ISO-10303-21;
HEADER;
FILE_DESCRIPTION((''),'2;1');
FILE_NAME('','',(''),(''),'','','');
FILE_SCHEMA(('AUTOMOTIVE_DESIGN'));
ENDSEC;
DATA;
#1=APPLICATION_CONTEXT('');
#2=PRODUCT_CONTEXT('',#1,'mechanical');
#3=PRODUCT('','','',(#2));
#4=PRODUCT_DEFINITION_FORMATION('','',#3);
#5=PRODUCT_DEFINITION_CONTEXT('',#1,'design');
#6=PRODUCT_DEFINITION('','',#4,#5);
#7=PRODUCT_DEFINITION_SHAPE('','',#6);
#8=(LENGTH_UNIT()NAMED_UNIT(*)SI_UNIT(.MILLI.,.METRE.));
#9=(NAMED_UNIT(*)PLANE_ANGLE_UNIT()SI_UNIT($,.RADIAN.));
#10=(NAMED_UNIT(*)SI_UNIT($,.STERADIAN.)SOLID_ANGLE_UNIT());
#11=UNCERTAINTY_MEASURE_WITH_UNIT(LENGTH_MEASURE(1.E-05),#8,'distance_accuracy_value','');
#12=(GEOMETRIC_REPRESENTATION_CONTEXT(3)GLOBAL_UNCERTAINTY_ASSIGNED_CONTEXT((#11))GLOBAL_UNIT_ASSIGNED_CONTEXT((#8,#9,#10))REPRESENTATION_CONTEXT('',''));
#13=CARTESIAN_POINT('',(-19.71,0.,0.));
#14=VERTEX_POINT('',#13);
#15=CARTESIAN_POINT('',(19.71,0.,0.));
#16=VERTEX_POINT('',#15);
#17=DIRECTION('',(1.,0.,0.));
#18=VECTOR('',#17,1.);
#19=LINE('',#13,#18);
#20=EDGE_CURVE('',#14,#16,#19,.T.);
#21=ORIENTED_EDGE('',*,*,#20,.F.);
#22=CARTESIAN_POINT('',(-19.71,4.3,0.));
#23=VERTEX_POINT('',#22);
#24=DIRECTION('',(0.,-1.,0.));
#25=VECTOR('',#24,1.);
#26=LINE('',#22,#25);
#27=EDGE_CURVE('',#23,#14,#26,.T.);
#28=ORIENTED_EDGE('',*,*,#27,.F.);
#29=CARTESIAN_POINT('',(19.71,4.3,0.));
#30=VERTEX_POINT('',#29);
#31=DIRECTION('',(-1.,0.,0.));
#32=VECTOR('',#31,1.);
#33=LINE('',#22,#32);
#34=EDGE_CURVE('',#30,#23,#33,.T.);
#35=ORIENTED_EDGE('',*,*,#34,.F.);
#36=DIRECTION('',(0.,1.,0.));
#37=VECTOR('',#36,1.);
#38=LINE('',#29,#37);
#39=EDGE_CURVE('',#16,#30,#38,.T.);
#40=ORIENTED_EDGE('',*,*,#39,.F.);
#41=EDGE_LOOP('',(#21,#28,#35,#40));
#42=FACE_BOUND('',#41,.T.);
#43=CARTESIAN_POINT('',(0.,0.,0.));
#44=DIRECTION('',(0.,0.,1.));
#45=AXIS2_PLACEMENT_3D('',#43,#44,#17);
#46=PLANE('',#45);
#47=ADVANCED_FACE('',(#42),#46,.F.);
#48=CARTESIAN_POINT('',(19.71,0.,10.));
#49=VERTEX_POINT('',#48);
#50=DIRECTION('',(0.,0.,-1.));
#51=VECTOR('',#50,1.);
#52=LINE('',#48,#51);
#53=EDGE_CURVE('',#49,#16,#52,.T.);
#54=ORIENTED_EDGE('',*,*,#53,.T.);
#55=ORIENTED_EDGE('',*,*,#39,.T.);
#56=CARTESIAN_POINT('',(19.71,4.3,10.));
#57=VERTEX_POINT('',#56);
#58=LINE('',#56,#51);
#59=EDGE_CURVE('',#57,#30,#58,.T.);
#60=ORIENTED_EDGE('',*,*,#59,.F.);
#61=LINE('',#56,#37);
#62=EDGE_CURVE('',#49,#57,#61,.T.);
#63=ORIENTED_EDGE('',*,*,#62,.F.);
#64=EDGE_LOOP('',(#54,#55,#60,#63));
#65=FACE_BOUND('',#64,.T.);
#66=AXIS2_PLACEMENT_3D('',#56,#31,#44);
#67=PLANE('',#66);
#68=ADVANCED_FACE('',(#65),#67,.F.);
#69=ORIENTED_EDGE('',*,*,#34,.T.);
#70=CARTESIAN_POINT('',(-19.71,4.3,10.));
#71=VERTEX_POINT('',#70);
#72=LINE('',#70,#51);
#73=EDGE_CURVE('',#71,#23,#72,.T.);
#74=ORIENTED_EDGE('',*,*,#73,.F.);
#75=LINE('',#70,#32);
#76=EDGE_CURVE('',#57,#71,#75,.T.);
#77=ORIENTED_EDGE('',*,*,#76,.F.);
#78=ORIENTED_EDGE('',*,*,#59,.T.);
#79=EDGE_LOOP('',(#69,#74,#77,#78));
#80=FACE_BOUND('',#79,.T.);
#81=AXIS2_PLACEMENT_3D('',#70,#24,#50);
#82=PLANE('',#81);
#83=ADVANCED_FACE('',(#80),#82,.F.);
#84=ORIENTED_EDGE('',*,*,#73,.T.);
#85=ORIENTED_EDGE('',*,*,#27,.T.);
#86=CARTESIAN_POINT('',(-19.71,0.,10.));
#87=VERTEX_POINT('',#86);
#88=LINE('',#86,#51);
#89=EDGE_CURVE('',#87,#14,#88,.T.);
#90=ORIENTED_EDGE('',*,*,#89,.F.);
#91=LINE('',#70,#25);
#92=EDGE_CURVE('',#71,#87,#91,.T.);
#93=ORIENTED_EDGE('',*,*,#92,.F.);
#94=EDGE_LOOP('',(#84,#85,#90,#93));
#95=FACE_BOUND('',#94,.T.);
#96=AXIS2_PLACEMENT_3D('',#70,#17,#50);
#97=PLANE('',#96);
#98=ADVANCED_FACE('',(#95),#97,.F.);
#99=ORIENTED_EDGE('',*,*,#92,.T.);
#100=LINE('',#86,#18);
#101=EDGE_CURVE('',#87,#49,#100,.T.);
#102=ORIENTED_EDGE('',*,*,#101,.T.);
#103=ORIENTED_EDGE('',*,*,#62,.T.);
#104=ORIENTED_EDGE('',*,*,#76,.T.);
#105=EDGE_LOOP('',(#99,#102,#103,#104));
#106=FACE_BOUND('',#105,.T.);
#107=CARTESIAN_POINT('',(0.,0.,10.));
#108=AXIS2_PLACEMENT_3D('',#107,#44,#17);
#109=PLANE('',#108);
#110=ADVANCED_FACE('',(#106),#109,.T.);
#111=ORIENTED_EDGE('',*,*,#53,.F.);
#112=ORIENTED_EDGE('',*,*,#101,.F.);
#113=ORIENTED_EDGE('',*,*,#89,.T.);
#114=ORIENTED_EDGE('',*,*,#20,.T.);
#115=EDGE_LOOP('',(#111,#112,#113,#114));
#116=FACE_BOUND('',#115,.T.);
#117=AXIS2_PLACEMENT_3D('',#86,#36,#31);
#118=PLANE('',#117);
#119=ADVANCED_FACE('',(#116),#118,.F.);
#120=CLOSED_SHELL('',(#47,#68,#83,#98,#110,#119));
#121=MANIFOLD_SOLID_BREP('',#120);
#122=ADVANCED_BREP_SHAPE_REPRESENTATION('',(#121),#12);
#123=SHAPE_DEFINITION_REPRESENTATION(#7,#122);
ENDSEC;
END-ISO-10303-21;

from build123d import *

# Parameters (mm, degrees)
SKETCH_1_W      = 39.42
SKETCH_1_H      = 4.3
EXTRUDE_1_DEPTH = 10


with BuildPart() as part:
    # 草图1 → 凸台-拉伸1 (new body)
    with BuildSketch(Plane.XY):
        with Locations((0, 2.15)):
            Rectangle(SKETCH_1_W, SKETCH_1_H)
    extrude(amount=EXTRUDE_1_DEPTH)


solid = part.part
